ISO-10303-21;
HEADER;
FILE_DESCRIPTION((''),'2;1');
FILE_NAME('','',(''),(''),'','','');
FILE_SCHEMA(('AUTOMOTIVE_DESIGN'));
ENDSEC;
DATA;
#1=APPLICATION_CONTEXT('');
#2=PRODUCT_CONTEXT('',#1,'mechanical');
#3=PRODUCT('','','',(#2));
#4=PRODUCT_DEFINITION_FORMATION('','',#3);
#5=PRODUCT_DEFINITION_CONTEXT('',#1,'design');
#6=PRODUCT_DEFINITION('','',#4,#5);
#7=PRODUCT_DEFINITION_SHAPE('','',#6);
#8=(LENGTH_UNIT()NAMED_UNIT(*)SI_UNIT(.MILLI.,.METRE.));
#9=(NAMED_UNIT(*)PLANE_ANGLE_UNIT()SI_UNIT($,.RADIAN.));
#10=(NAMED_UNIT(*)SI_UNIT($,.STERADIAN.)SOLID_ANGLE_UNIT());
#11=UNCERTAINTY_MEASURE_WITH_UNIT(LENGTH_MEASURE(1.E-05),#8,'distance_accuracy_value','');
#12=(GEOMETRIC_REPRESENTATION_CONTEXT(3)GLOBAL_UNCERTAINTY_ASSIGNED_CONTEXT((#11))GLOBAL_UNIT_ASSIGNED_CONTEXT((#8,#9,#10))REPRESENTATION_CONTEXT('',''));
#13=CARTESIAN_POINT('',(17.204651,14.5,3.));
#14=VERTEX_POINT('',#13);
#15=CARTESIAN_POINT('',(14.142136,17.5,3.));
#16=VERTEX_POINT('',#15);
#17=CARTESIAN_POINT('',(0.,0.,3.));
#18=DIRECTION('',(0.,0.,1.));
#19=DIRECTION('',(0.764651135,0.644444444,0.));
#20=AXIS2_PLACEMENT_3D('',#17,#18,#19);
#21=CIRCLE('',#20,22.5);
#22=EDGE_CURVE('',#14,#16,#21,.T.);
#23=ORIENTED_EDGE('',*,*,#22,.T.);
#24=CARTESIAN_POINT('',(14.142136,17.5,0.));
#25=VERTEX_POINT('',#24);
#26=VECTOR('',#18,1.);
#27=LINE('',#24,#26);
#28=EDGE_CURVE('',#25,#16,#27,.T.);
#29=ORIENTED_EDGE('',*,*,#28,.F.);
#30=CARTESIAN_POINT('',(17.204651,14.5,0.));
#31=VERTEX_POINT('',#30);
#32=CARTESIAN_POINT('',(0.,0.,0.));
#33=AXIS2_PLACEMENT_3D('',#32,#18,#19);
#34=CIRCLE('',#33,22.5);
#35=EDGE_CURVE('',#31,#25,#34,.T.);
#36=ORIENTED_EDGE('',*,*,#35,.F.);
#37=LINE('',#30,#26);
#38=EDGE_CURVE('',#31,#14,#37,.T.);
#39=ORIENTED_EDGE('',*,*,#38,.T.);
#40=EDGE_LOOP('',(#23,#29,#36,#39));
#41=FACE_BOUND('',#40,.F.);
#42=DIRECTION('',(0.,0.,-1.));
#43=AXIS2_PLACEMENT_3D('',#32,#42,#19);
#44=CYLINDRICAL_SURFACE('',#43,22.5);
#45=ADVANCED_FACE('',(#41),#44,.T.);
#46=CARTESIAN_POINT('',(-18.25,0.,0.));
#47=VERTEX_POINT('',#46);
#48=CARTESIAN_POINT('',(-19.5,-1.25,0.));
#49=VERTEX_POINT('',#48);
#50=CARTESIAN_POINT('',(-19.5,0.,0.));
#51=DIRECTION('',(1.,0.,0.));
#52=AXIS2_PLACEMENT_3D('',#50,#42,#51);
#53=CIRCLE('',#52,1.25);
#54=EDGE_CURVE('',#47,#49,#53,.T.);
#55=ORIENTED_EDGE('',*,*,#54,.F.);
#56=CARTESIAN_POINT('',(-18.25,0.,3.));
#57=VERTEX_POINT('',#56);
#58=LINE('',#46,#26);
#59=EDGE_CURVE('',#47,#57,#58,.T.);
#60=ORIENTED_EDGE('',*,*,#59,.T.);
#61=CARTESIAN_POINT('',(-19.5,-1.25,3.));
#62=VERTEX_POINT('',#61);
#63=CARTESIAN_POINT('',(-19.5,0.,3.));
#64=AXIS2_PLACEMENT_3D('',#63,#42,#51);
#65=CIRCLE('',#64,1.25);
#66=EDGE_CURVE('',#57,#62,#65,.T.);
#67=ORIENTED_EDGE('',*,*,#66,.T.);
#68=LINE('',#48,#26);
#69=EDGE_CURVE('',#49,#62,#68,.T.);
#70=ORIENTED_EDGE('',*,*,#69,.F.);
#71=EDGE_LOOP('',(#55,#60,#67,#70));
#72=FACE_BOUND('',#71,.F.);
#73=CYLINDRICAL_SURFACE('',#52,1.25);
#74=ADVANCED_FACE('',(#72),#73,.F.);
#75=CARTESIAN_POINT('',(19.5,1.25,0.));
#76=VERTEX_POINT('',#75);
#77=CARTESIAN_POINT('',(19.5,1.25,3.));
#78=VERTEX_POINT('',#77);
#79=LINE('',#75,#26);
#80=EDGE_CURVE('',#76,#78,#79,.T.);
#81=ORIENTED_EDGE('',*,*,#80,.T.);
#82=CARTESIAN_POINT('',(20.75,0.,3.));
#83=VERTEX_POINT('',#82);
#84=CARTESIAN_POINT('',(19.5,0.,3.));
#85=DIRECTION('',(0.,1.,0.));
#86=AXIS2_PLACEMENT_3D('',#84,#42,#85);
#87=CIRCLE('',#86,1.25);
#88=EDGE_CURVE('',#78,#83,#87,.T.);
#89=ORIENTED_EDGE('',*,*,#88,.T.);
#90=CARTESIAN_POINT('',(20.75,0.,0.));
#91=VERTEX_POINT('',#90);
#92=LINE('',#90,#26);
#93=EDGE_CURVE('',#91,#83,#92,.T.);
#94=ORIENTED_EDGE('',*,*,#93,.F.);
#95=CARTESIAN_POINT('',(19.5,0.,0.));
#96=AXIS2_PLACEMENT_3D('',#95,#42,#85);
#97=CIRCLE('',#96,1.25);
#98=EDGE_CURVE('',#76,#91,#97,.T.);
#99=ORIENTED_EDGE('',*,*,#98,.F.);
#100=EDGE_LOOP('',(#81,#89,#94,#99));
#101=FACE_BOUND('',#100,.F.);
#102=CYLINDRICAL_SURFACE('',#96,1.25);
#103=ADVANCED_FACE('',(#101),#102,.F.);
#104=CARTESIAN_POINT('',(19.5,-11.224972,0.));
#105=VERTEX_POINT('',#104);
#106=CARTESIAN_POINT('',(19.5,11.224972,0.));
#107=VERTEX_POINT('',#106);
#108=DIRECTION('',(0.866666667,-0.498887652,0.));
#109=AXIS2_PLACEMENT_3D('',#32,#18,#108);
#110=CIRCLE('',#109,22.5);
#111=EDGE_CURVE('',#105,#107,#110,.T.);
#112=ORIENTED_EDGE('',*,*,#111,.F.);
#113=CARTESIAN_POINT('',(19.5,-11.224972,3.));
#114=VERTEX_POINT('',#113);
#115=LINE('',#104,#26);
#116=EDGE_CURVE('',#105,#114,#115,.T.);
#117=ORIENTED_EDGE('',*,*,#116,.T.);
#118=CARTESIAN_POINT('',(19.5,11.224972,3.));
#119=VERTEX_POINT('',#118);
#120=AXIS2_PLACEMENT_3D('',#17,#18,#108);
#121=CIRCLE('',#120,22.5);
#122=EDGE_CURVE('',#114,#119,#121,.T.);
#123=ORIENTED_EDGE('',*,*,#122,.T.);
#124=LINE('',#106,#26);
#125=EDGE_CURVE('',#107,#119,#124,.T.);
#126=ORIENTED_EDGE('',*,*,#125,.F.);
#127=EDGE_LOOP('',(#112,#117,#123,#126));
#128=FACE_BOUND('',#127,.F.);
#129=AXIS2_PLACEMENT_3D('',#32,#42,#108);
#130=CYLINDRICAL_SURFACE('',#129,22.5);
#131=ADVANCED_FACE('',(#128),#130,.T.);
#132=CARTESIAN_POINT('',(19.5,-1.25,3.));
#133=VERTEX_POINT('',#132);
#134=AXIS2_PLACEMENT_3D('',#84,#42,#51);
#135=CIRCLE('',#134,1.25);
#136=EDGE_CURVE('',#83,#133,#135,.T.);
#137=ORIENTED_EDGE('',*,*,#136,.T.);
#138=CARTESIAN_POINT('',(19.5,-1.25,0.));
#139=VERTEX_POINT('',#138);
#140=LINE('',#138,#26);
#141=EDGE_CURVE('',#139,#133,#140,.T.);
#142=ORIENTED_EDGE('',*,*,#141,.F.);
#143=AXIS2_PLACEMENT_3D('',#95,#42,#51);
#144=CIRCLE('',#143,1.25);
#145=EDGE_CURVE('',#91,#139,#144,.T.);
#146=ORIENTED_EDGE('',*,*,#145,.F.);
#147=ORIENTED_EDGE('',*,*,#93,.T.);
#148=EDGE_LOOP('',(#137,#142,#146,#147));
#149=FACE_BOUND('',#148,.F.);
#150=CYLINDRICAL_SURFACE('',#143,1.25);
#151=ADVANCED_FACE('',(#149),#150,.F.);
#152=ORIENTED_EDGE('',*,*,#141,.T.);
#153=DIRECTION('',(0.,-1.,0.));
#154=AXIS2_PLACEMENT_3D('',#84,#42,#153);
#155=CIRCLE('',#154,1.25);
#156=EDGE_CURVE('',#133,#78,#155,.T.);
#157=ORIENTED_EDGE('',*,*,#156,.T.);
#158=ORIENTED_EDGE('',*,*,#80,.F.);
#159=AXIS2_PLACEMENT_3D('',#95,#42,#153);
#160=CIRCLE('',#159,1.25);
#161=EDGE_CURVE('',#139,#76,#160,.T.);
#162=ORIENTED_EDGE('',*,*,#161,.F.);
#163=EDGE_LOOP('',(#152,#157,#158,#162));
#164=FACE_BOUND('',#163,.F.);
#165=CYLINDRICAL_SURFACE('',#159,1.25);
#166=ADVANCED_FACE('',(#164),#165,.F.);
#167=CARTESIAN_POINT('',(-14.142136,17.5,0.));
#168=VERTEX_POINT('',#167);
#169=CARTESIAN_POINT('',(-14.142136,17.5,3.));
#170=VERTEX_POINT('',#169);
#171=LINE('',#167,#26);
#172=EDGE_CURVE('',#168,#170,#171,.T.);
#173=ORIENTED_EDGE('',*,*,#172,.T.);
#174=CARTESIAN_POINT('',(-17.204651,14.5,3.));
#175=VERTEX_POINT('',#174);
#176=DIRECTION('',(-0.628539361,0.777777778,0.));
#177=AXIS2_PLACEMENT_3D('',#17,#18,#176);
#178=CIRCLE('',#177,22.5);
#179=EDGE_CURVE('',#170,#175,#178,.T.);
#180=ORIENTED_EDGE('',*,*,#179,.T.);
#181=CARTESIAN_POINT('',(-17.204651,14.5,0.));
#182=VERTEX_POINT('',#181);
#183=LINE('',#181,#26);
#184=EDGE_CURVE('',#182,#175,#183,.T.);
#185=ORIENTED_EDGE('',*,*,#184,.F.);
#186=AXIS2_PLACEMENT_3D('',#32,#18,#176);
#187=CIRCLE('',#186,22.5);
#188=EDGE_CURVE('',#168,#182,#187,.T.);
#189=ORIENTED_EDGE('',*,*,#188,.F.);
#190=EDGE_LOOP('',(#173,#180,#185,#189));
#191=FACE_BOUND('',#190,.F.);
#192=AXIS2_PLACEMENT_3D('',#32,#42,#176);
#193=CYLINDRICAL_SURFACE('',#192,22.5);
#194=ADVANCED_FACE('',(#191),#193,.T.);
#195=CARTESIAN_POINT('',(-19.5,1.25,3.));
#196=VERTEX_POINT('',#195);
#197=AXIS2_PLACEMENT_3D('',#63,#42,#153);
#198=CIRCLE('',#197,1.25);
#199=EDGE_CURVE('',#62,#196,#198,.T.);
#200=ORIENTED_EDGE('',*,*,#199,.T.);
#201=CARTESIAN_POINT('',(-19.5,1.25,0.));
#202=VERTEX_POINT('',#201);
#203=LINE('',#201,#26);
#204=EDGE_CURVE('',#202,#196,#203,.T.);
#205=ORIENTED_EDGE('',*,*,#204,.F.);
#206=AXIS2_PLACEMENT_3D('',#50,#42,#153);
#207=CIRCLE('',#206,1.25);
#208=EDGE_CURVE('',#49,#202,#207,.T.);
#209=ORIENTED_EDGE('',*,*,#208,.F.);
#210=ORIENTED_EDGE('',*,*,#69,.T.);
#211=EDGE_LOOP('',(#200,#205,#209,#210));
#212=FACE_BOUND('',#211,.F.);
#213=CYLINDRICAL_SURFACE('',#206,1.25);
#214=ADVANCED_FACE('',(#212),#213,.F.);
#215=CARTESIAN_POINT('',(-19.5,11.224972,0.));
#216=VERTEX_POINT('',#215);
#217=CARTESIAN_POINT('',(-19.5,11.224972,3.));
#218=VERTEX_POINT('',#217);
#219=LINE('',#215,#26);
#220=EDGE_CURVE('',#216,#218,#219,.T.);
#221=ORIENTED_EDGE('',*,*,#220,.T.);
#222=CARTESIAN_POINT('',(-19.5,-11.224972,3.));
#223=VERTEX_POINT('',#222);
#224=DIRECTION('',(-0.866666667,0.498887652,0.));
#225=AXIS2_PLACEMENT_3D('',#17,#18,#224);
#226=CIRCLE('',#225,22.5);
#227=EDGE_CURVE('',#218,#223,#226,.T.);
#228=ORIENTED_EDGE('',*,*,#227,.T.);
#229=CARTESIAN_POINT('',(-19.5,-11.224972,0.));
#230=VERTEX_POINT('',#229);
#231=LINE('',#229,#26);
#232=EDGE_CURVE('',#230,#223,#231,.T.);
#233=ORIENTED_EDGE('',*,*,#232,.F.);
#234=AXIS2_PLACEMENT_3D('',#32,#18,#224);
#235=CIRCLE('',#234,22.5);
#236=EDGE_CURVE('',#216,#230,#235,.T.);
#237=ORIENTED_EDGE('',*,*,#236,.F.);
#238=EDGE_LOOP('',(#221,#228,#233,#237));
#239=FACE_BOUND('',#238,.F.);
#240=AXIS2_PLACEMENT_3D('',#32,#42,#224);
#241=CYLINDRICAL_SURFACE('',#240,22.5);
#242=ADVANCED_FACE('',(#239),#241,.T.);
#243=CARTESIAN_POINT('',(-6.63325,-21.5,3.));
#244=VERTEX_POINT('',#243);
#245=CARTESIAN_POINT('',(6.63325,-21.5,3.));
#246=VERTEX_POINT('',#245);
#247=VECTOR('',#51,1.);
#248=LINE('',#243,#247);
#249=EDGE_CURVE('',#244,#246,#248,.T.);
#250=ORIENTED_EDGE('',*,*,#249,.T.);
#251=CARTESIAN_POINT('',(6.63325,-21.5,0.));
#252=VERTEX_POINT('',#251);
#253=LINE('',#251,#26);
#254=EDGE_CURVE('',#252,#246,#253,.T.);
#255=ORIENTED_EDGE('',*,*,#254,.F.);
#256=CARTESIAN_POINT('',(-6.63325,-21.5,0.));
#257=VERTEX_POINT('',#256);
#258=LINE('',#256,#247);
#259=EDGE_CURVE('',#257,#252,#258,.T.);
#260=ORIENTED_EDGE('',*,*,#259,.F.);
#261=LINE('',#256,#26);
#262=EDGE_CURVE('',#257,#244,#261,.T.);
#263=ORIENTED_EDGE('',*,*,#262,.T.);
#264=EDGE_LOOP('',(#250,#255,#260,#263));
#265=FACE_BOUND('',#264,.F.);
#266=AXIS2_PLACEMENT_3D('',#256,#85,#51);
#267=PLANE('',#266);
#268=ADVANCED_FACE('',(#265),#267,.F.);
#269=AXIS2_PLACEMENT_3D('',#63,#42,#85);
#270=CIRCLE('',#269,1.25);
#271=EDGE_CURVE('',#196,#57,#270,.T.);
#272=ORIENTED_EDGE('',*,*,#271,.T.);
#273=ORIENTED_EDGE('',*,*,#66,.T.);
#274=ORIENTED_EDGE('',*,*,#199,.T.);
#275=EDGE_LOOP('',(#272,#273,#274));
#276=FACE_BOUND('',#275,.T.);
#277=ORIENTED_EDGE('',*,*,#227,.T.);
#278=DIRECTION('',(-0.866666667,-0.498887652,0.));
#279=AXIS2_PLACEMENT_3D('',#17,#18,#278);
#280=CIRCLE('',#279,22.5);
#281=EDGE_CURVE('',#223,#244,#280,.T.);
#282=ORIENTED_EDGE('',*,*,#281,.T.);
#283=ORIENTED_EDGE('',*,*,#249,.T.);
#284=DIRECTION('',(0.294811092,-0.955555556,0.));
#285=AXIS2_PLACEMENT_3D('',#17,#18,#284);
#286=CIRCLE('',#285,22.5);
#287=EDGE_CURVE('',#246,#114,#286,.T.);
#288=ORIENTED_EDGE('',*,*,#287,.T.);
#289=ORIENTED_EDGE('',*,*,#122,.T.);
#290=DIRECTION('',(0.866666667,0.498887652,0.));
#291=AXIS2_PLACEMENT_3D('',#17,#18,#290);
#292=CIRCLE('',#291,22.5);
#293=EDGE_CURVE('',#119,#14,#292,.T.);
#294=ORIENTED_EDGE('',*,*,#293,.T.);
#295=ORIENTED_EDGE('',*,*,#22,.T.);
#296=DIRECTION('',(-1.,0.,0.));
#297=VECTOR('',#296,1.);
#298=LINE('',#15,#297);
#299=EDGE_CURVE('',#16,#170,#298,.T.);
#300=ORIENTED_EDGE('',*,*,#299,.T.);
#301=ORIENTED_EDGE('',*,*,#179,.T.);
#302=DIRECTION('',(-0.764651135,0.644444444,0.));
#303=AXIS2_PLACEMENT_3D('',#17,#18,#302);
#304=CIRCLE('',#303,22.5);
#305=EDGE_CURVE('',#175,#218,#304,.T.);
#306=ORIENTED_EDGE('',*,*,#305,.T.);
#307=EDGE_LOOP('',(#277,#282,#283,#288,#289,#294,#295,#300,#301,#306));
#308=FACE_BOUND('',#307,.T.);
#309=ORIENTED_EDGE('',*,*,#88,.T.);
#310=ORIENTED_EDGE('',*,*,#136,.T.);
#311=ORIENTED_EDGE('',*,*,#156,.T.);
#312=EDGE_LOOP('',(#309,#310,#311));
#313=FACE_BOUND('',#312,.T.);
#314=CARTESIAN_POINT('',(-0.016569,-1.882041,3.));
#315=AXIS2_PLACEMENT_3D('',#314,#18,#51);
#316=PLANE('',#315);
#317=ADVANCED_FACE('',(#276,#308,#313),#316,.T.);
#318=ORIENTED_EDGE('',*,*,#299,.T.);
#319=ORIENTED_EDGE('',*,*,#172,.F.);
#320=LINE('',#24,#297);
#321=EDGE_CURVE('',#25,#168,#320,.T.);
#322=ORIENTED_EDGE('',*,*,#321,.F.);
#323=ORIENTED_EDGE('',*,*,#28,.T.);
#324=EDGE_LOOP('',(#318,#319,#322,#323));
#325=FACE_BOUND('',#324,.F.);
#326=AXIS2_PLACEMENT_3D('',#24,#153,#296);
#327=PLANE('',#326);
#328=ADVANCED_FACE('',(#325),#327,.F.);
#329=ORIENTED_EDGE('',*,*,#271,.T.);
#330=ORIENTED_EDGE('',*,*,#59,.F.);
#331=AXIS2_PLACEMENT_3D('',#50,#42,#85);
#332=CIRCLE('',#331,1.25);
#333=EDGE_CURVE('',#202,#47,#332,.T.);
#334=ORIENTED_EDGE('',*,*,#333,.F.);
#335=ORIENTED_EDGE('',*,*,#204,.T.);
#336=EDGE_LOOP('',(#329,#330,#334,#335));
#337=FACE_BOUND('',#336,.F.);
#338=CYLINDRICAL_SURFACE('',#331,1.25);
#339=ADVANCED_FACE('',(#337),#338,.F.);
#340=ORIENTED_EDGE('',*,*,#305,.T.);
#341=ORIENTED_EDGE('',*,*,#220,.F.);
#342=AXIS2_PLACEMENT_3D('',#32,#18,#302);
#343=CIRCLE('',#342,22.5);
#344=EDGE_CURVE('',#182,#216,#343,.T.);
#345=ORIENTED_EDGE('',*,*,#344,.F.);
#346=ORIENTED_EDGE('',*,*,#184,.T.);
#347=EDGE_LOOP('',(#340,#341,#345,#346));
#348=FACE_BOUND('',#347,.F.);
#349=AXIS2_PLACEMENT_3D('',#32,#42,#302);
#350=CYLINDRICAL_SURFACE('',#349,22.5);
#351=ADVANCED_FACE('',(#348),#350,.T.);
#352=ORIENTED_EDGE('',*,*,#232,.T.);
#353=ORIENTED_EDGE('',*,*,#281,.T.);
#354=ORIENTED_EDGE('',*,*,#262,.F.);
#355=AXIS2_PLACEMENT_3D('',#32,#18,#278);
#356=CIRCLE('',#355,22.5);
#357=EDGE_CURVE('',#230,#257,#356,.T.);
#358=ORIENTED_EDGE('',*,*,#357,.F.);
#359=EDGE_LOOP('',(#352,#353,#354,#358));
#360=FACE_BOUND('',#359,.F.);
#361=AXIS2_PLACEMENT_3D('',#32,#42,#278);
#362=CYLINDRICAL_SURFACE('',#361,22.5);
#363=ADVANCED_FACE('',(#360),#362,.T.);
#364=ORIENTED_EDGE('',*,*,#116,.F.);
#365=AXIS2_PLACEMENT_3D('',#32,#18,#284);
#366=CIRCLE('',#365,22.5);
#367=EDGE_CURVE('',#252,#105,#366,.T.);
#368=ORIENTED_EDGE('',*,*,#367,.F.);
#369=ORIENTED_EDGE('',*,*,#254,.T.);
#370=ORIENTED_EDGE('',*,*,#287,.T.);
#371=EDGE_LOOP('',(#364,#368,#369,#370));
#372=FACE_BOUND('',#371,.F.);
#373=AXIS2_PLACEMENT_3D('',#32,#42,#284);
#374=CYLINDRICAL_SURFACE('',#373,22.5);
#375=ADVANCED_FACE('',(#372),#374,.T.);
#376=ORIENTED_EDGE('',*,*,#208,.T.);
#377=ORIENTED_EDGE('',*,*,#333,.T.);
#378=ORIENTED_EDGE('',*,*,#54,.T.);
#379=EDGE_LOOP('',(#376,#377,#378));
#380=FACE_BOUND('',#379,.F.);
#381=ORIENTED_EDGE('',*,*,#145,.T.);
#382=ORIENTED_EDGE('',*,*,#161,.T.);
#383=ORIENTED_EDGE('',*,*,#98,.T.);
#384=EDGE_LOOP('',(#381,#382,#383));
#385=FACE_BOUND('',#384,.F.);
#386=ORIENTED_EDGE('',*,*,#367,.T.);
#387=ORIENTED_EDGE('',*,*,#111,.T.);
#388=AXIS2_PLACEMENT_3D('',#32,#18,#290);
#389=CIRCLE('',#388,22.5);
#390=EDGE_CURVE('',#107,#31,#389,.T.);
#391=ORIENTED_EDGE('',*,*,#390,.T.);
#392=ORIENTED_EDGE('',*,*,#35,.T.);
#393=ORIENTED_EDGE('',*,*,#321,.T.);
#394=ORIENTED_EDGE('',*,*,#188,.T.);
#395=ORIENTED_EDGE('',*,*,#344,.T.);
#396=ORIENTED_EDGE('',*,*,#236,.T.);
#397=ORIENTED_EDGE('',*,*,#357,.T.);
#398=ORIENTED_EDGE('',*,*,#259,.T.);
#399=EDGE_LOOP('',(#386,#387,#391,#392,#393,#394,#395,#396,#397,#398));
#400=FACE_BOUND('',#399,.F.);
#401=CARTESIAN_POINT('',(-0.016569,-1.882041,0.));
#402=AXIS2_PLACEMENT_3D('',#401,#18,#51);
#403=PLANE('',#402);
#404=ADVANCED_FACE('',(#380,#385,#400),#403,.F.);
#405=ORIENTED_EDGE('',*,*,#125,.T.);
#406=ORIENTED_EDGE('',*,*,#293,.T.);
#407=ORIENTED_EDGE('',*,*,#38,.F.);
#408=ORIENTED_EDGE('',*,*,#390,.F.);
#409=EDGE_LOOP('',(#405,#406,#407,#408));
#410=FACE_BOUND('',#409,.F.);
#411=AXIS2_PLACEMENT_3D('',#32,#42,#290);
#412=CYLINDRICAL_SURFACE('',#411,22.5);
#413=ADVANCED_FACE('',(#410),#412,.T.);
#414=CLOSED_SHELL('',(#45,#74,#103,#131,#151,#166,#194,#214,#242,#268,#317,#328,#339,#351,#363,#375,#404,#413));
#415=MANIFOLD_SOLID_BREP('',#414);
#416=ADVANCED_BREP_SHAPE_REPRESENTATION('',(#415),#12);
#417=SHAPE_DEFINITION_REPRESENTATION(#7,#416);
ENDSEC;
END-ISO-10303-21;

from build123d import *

# Parameters (mm, degrees)
F1_DEPTH = 3


with BuildPart() as f1:
    # F0 (on Top) → F1 (new body)
    with BuildSketch(Plane.XY):
        with BuildLine():
            Line((17.2046505341, 14.5), (-17.2046505341, 14.5))
            ThreePointArc((-17.2046505341, 14.5), (-18.4252352643, 12.9135860804), (-19.5, 11.2249721603))
            Line((-19.5, 11.2249721603), (-19.5, 1.25))
            ThreePointArc((-19.5, 1.25), (-18.6161165235, 0.8838834765), (-18.25, 0))
            ThreePointArc((-18.25, 0), (-18.6161165235, -0.8838834765), (-19.5, -1.25))
            Line((-19.5, -1.25), (-19.5, -11.2249721603))
            ThreePointArc((-19.5, -11.2249721603), (-14.0403252344, -17.5817879441), (-6.6332495807, -21.5))
            Line((-6.6332495807, -21.5), (6.6332495807, -21.5))
            ThreePointArc((6.6332495807, -21.5), (14.0403252344, -17.5817879441), (19.5, -11.2249721603))
            Line((19.5, -11.2249721603), (19.5, -1.25))
            ThreePointArc((19.5, -1.25), (18.25, 0), (19.5, 1.25))
            Line((19.5, 1.25), (19.5, 11.2249721603))
            ThreePointArc((19.5, 11.2249721603), (18.4252352643, 12.9135860804), (17.2046505341, 14.5))
        make_face()
        with BuildLine():
            Line((14.1421356237, 17.5), (-14.1421356237, 17.5))
            ThreePointArc((-14.1421356237, 17.5), (-15.7450071644, 16.0731064015), (-17.2046505341, 14.5))
            Line((-17.2046505341, 14.5), (17.2046505341, 14.5))
            ThreePointArc((17.2046505341, 14.5), (15.7450071644, 16.0731064015), (14.1421356237, 17.5))
        make_face()
        with BuildLine():
            Line((-19.5, 1.25), (-19.5, 11.2249721603))
            ThreePointArc((-19.5, 11.2249721603), (-22.5, 0), (-19.5, -11.2249721603))
            Line((-19.5, -11.2249721603), (-19.5, -1.25))
            ThreePointArc((-19.5, -1.25), (-20.75, 0), (-19.5, 1.25))
        make_face()
        with BuildLine():
            ThreePointArc((19.5, -11.2249721603), (22.5, 0), (19.5, 11.2249721603))
            Line((19.5, 11.2249721603), (19.5, 1.25))
            ThreePointArc((19.5, 1.25), (20.3838834765, 0.8838834765), (20.75, 0))
            ThreePointArc((20.75, 0), (20.3838834765, -0.8838834765), (19.5, -1.25))
            Line((19.5, -1.25), (19.5, -11.2249721603))
        make_face()
    extrude(amount=F1_DEPTH)


solid = f1.part
